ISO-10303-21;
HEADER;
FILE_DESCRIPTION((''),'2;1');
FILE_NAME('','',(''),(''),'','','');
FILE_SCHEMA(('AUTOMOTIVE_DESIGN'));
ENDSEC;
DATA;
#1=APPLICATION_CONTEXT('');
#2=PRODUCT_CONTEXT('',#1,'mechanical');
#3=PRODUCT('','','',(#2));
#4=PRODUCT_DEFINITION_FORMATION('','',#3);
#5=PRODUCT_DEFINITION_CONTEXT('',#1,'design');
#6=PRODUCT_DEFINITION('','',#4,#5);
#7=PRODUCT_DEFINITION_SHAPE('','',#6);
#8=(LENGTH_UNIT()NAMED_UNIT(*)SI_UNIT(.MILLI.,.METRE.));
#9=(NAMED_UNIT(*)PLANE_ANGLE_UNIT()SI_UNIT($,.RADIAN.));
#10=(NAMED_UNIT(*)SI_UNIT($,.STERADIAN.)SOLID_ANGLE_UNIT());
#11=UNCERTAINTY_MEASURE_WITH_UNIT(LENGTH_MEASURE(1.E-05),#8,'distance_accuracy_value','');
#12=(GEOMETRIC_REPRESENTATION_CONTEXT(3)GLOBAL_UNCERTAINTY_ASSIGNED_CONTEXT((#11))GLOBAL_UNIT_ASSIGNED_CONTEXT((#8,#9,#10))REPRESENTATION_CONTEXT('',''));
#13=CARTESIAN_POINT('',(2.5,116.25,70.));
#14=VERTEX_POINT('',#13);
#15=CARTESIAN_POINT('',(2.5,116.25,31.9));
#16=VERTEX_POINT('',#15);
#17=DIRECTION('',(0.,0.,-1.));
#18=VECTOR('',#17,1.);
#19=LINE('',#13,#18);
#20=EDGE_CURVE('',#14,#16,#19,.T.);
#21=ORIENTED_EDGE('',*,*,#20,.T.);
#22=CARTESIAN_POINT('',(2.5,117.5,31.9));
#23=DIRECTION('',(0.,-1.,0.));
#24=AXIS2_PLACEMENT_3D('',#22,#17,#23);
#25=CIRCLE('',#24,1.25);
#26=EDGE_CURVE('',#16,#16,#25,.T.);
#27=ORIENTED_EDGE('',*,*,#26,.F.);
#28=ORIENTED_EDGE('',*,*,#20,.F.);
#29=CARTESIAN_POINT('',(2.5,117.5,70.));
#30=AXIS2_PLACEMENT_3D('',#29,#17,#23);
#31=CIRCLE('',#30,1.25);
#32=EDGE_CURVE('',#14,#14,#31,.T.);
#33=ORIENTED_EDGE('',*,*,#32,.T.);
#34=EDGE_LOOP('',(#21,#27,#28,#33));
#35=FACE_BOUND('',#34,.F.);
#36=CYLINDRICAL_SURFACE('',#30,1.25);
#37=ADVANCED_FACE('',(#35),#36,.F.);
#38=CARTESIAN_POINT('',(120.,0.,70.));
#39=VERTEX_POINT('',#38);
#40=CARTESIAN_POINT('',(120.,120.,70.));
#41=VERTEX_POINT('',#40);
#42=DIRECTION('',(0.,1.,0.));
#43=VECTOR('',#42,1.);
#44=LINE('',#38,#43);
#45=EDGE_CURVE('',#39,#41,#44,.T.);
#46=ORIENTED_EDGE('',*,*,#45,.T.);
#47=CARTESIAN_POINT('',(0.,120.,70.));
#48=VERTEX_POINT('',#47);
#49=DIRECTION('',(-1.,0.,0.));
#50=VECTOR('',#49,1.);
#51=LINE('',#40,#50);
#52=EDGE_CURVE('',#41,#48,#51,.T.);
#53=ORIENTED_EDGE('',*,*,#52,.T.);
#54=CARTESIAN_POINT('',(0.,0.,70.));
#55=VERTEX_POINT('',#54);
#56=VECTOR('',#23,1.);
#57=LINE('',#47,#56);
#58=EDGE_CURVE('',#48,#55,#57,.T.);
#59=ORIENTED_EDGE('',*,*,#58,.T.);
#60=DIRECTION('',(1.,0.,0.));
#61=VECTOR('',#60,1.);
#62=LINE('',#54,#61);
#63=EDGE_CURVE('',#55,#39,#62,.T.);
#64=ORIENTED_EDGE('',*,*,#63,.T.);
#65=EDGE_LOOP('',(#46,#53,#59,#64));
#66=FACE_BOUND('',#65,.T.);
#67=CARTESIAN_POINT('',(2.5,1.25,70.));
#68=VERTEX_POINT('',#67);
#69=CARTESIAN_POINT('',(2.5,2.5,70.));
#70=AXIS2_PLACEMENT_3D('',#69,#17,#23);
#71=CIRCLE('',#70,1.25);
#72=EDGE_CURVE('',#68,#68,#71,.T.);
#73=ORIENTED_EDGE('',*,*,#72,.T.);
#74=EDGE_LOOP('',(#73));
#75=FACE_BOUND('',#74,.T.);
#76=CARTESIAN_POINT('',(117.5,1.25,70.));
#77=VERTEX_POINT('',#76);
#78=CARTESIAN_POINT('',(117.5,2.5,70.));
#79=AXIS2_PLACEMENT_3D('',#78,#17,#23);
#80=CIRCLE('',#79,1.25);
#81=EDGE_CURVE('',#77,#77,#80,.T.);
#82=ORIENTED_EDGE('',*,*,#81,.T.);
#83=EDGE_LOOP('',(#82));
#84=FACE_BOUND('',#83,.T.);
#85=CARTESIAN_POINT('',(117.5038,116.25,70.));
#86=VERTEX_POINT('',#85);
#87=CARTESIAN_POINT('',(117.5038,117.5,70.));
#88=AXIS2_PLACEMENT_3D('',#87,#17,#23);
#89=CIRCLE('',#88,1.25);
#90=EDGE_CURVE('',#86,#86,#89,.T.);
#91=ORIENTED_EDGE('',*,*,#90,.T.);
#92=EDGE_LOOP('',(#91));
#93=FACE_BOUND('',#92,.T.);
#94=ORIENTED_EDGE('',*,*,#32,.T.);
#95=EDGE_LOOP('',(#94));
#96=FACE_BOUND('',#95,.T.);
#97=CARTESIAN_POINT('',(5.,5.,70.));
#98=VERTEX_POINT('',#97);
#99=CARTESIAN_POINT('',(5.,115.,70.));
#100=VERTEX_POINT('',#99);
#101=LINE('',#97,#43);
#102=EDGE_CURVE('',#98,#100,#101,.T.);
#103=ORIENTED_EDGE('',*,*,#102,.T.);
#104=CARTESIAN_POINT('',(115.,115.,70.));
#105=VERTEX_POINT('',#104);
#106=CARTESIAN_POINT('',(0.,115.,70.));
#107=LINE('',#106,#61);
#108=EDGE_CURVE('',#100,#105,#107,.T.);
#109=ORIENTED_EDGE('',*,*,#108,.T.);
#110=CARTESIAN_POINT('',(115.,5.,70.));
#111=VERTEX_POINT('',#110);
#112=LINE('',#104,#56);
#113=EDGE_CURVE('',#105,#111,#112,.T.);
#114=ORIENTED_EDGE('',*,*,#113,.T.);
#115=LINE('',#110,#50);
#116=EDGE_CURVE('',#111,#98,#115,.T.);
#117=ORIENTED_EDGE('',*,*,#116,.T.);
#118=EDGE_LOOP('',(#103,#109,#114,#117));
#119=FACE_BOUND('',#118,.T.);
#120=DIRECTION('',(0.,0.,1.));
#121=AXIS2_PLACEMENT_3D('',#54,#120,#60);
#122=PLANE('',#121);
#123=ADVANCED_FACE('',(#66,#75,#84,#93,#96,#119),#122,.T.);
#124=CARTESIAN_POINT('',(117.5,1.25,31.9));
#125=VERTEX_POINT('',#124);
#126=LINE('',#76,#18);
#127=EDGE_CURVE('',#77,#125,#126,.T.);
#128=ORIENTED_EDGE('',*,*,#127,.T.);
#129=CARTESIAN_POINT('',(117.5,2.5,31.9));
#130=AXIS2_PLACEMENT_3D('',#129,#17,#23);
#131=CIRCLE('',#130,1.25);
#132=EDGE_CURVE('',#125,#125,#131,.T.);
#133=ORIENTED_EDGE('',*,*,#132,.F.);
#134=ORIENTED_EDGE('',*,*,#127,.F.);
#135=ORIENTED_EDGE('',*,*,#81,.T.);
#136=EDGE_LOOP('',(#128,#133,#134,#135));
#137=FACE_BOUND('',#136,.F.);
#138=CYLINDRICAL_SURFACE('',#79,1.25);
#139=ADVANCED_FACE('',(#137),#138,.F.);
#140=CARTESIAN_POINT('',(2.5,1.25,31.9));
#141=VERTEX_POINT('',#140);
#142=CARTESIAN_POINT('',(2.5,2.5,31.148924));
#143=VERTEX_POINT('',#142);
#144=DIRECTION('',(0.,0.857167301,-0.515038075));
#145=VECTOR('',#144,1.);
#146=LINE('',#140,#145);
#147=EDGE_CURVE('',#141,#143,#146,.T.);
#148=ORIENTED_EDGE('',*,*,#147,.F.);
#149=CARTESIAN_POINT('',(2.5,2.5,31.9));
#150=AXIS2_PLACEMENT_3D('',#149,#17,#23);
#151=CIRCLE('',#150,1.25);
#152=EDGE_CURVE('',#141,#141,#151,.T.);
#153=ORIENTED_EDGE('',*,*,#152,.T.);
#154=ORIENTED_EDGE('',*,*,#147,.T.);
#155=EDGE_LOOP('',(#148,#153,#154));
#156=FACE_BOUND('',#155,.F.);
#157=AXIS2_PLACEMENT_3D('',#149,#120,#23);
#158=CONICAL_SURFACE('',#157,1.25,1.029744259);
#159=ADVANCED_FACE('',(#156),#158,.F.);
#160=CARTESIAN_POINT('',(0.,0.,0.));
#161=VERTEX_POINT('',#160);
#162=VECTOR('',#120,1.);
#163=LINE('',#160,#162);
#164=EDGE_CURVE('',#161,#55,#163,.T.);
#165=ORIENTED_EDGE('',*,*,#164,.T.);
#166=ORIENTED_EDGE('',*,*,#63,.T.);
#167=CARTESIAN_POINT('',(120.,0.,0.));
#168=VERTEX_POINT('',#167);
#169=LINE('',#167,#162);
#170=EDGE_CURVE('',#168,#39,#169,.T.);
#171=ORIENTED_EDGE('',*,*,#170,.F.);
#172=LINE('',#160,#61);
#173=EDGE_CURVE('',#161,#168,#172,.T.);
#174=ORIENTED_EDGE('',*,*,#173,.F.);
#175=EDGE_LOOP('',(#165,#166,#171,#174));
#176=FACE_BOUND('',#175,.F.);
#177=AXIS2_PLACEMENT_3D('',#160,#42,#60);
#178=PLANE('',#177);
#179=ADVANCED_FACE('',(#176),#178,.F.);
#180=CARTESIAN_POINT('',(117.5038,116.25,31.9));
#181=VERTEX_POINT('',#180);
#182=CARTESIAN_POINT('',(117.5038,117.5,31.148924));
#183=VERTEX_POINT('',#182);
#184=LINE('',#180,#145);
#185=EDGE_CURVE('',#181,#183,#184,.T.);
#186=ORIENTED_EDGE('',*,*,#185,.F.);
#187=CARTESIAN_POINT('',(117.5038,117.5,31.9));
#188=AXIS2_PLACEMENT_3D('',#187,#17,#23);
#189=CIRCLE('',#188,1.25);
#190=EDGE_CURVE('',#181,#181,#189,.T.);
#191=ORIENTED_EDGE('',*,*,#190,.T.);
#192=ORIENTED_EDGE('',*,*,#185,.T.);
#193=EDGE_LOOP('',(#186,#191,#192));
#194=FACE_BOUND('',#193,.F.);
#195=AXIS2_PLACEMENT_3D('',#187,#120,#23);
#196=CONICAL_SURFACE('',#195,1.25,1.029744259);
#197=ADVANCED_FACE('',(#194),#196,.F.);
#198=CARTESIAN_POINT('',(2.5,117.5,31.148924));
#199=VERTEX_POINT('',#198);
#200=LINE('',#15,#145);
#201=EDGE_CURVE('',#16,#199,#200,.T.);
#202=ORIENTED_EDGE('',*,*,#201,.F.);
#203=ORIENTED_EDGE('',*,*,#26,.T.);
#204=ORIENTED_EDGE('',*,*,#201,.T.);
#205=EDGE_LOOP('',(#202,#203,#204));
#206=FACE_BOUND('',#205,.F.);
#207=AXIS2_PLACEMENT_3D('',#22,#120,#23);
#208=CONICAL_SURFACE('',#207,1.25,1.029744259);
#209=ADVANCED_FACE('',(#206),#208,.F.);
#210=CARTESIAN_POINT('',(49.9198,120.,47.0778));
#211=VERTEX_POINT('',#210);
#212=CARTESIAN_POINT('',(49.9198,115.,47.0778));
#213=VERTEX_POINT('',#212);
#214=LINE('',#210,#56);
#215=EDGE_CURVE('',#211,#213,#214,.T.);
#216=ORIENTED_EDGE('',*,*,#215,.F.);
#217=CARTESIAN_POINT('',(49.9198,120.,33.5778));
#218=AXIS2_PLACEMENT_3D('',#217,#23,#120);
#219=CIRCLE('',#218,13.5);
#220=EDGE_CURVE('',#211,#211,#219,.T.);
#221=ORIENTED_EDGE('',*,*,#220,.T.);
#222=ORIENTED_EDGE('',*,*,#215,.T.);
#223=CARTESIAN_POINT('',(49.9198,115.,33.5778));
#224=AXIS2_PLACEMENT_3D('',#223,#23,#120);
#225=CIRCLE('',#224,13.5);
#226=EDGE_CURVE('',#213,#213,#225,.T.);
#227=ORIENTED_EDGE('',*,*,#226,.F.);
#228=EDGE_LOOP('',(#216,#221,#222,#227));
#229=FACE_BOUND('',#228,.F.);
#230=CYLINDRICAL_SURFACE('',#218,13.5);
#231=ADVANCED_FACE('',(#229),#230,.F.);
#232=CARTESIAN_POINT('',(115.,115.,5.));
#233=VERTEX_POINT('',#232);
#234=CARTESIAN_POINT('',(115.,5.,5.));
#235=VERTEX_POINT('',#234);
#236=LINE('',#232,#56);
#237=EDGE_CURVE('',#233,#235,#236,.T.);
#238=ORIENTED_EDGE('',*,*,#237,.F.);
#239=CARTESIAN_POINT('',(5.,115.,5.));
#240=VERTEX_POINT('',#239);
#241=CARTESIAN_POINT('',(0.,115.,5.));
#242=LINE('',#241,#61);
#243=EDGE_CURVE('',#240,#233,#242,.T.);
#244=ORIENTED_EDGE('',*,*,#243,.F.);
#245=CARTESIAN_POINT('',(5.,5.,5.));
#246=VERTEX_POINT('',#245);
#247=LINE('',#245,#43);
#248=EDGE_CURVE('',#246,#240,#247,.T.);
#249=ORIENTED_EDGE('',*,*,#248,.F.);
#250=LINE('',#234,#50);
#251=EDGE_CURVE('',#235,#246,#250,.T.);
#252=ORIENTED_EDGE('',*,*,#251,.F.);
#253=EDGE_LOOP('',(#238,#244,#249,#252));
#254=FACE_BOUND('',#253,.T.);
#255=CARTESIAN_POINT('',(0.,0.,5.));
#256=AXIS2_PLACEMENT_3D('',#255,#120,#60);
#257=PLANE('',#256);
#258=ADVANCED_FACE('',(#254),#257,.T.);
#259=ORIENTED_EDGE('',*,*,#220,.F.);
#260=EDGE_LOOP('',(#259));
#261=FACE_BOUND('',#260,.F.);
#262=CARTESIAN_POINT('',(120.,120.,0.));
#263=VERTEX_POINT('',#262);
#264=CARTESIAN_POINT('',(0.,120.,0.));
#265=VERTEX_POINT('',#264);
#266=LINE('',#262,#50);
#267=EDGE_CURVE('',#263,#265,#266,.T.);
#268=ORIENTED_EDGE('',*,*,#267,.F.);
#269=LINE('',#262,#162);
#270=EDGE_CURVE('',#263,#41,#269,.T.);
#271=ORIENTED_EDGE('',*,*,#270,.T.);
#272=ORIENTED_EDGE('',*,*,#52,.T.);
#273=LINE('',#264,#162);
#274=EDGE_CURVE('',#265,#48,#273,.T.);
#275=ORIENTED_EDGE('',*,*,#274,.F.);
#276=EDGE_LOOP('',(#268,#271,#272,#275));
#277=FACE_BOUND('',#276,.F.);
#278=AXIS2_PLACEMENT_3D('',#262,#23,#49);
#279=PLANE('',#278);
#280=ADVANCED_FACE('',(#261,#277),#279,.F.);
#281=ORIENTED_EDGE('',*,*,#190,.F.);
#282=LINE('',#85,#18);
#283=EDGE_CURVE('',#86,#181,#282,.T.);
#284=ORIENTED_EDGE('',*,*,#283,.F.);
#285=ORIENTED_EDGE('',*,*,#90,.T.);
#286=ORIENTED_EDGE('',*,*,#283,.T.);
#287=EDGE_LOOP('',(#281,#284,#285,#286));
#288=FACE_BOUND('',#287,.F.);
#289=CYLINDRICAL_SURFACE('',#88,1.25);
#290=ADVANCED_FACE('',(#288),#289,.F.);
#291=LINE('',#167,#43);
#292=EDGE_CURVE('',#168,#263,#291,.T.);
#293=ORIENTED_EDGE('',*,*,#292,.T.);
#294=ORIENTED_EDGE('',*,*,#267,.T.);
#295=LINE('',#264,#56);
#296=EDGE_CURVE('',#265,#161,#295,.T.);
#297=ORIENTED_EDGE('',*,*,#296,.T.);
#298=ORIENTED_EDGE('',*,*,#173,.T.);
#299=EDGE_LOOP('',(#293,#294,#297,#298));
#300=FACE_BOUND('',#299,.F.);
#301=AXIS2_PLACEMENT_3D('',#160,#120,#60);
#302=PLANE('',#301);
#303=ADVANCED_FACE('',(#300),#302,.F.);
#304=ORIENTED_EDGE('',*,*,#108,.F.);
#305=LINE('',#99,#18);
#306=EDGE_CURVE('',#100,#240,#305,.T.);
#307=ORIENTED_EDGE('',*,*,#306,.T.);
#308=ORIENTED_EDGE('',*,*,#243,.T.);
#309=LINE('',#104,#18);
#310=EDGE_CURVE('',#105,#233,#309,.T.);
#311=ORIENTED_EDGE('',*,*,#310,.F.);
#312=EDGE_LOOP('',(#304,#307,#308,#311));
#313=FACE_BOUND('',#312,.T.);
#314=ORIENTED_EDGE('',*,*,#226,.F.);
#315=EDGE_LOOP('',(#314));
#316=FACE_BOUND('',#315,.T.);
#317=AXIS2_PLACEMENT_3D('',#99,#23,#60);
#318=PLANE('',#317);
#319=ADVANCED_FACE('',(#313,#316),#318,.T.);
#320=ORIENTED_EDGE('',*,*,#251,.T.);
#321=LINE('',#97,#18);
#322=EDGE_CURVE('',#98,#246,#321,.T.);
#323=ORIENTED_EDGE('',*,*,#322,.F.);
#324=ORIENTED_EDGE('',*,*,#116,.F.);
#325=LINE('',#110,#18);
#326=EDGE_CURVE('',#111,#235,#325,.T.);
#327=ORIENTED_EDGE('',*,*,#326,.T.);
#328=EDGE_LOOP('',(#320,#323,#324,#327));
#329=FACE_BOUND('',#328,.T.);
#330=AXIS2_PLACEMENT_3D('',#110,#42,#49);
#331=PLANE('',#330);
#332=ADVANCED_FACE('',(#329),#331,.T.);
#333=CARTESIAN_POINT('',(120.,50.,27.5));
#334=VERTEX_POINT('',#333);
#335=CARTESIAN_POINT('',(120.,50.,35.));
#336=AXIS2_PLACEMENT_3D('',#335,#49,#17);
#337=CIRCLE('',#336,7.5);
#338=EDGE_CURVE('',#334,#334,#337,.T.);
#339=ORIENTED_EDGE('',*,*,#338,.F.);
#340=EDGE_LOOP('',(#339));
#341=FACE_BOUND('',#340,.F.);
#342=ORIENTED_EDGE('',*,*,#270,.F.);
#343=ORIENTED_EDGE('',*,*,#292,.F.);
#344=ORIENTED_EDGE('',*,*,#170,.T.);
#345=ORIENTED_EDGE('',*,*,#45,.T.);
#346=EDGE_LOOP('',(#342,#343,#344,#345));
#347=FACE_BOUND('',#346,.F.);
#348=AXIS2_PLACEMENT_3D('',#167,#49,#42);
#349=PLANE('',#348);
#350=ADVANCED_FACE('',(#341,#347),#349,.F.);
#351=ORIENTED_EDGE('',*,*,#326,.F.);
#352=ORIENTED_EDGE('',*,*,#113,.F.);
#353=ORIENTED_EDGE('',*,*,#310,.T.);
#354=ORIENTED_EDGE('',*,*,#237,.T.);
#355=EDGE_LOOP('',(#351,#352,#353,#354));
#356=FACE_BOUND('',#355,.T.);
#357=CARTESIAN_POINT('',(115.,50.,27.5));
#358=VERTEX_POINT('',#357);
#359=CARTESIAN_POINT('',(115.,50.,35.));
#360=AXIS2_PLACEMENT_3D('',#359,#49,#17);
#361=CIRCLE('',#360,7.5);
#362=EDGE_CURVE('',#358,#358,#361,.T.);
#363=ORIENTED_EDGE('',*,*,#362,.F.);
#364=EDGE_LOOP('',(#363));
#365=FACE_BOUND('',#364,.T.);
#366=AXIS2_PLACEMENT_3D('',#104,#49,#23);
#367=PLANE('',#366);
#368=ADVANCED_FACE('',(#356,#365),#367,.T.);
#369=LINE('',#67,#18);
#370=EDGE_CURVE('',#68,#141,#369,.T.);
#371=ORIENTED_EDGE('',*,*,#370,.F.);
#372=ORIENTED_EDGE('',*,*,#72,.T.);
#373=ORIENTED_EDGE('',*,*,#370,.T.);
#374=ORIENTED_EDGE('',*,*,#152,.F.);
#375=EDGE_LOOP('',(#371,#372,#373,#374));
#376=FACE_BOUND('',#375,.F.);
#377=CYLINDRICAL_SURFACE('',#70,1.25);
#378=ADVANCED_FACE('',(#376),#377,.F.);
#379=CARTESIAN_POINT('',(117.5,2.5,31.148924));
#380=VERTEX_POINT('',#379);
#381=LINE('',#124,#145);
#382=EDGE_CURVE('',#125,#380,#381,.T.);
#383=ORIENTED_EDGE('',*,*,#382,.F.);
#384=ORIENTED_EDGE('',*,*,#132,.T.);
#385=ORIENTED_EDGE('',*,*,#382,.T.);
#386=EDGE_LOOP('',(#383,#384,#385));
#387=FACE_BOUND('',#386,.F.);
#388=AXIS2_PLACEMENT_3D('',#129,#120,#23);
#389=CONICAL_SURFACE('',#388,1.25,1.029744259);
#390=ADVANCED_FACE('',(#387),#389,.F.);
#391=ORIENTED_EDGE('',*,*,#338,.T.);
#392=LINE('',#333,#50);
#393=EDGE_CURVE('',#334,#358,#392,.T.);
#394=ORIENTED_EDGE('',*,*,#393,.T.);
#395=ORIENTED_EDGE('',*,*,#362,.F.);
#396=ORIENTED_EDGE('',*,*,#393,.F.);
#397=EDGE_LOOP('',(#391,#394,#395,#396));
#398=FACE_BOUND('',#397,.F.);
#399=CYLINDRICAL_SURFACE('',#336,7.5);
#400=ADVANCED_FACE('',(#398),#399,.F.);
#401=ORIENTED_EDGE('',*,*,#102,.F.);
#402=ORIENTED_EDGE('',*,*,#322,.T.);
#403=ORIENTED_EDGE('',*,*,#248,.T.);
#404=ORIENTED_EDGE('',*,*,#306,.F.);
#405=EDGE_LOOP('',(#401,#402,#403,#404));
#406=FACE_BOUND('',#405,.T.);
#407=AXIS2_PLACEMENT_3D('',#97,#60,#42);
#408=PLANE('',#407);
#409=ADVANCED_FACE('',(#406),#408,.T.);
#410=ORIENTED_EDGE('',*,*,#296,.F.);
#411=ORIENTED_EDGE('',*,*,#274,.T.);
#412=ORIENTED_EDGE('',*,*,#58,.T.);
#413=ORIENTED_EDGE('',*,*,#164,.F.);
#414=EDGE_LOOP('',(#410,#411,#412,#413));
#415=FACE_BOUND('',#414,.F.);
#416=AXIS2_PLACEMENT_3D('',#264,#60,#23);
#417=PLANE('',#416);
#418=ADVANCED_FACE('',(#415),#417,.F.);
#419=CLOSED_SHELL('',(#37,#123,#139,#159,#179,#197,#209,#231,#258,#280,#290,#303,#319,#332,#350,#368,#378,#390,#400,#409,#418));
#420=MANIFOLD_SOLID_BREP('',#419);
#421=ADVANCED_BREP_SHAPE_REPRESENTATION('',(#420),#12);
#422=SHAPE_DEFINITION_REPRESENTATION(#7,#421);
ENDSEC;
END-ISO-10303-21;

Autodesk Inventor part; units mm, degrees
ref_plane "YZ Plane" through (0, 0, 0) normal (1, 0, 0) x (0, 1, 0)
ref_plane "XZ Plane" through (0, 0, 0) normal (0, 1, 0) x (-1, 0, 0)
ref_plane "XY Plane" through (0, 0, 0) normal (0, 0, 1) x (1, 0, 0)
sketch "Sketch18" plane through (0, 0, 0) normal (0, 0, 1) x (1, 0, 0)
  line L0 (0, 0) -> (120, 0)
  line L1 (120, 0) -> (120, 120)
  line L2 (120, 120) -> (0, 120)
  line L3 (0, 120) -> (0, 0)
  dimension "d90" = 120
  dimension "d91" = 120
  dimension "d92" = 120
  dimension "d93" = 120
extrude "Extrusion4" add sketch "Sketch18" along normal blind 70
sketch "Sketch20" plane through (0, 0, 70) normal (0, 0, 1) x (1, 0, 0)
  point P0 (0, 0)
sketch "Sketch21" plane through (0, 0, 70) normal (0, 0, 1) x (1, 0, 0)
  line L0 (120, 120) -> (0, 120) projected
  line L1 (0, 120) -> (0, 115)
  line L2 (0, 120) -> (0, 0) projected
  line L3 (0, 115) -> (115, 115)
  line L4 (115, 115) -> (115, 5)
  line L5 (115, 5) -> (5, 5)
  line L6 (5, 5) -> (5, 115)
  dimension "d102" = 5
  dimension "d103" = 115
  dimension "d104" = 110
  dimension "d105" = 110
  dimension "d106" = 110
sketch "Sketch23" plane through (0, 0, 70) normal (0, 0, 1) x (1, 0, 0)
  line L0 (5.0371, 115.0535) -> (115.0371, 115.0535)
  line L1 (115.0371, 115.0535) -> (115.0371, 5.0535)
  line L2 (115.0371, 5.0535) -> (5.0371, 5.0535)
  line L3 (5.0371, 5.0535) -> (5.0371, 115.0535)
  line L4 (0, 0) -> (2.5, 0)
  line L5 (0, 0) -> (120, 0) projected
  line L6 (2.5, 0) -> (2.5, 2.5)
  circle A0 centre (2.5, 2.5) radius 1.25
  dimension "d108" = 110
  dimension "d109" = 110
  dimension "d110" = 110
  dimension "d143" = 2.5
  dimension "d144" = 2.5
  dimension "d145" = 2.5
extrude "Extrusion5" cut sketch "Sketch21" against normal blind 65
sketch "Sketch24" plane through (5, 115, 70) normal (0, -1, 0) x (1, 0, 0)
  point P0 (-5, -70)
sketch "Sketch25" plane through (0, 120, 0) normal (0, 1, 0) x (1, 0, 0)
  line L0 (0, 0) -> (120, 0) projected
  line L1 (0, 0) -> (50, 0)
  line L2 (50, 0) -> (50, -33.5)
  dimension "d113" = 50
  dimension "d114" = 33.5
sketch "Sketch26" plane through (0, 120, 0) normal (0, 1, 0) x (1, 0, 0)
  circle A0 centre (49.9198, -33.5778) radius 13.5
  point P0 (0, 0)
  dimension "d116" = 27
hole "Hole7" at (49.9198, 120, 33.5778) direction (0, -1, 0) diameter 27 depth 30
sketch "Sketch27" plane through (120, 0, 0) normal (1, 0, 0) x (0, 0, -1)
  line L0 (0, 0) -> (0, 50)
  line L1 (0, 120) -> (0, 0) projected
  line L2 (0, 50) -> (-35, 50)
  circle A0 centre (-35, 50) radius 7.5
  dimension "d124" = 50
  dimension "d125" = 35
  dimension "d126" = 15
hole "Hole8" at (120, 50, 35) direction (-1, 0, 0) diameter 15 depth 30
sketch "Sketch28" plane through (0, 0, 70) normal (0, 0, 1) x (1, 0, 0)
  line L0 (0, 120) -> (0, 0) projected
  line L1 (0, 120) -> (2.5, 120)
  line L2 (120, 120) -> (0, 120) projected
  line L3 (2.5, 120) -> (2.5, 117.5)
  dimension "d134" = 2.5
  dimension "d135" = 2.5
hole "Hole9" at (2.5, 117.5, 70) direction (0, 0, -1) diameter 2.5 depth 38.1 tip angle 118
hole "Hole10" at (2.5, 2.5, 70) direction (0, 0, -1) diameter 2.5 depth 38.1 tip angle 118
sketch "Sketch29" plane through (115, 5, 70) normal (-1, 0, 0) x (0, 0, 1)
  point P0 (-70, -5)
sketch "Sketch30" plane through (0, 0, 70) normal (0, 0, 1) x (1, 0, 0)
  line L0 (120, 120) -> (0, 120) projected
  line L1 (120, 120) -> (117.5, 120)
  line L2 (117.5, 120) -> (120, 120)
  point P0 (0, 0)
  dimension "d153" = 2.5
  dimension "d154" = 2.5
sketch "Sketch31" plane through (0, 0, 70) normal (0, 0, 1) x (1, 0, 0)
  line L0 (120, 120) -> (0, 120) projected
  line L1 (117.5038, 120) -> (120.0038, 120)
  line L2 (120.0038, 120) -> (120.0038, 117.5)
  line L3 (120.0038, 117.5) -> (117.5038, 117.5)
  point P0 (0, 0)
  dimension "d155" = 2.5
  dimension "d156" = 2.5
  dimension "d157" = 2.5
hole "Hole11" at (117.5038, 117.5, 70) direction (0, 0, -1) diameter 2.5 depth 38.1 tip angle 118
sketch "Sketch32" plane through (0, 0, 70) normal (0, 0, 1) x (1, 0, 0)
  line L0 (0, 0) -> (120, 0) projected
  line L1 (120, 0) -> (120, 2.5)
  line L2 (120, 0) -> (120, 120) projected
  line L3 (120, 2.5) -> (117.5, 2.5)
  dimension "d165" = 2.5
  dimension "d166" = 2.5
hole "Hole12" at (117.5, 2.5, 70) direction (0, 0, -1) diameter 2.5 depth 38.1 tip angle 118
properties part number "3d_enclosure_2_19_1"
